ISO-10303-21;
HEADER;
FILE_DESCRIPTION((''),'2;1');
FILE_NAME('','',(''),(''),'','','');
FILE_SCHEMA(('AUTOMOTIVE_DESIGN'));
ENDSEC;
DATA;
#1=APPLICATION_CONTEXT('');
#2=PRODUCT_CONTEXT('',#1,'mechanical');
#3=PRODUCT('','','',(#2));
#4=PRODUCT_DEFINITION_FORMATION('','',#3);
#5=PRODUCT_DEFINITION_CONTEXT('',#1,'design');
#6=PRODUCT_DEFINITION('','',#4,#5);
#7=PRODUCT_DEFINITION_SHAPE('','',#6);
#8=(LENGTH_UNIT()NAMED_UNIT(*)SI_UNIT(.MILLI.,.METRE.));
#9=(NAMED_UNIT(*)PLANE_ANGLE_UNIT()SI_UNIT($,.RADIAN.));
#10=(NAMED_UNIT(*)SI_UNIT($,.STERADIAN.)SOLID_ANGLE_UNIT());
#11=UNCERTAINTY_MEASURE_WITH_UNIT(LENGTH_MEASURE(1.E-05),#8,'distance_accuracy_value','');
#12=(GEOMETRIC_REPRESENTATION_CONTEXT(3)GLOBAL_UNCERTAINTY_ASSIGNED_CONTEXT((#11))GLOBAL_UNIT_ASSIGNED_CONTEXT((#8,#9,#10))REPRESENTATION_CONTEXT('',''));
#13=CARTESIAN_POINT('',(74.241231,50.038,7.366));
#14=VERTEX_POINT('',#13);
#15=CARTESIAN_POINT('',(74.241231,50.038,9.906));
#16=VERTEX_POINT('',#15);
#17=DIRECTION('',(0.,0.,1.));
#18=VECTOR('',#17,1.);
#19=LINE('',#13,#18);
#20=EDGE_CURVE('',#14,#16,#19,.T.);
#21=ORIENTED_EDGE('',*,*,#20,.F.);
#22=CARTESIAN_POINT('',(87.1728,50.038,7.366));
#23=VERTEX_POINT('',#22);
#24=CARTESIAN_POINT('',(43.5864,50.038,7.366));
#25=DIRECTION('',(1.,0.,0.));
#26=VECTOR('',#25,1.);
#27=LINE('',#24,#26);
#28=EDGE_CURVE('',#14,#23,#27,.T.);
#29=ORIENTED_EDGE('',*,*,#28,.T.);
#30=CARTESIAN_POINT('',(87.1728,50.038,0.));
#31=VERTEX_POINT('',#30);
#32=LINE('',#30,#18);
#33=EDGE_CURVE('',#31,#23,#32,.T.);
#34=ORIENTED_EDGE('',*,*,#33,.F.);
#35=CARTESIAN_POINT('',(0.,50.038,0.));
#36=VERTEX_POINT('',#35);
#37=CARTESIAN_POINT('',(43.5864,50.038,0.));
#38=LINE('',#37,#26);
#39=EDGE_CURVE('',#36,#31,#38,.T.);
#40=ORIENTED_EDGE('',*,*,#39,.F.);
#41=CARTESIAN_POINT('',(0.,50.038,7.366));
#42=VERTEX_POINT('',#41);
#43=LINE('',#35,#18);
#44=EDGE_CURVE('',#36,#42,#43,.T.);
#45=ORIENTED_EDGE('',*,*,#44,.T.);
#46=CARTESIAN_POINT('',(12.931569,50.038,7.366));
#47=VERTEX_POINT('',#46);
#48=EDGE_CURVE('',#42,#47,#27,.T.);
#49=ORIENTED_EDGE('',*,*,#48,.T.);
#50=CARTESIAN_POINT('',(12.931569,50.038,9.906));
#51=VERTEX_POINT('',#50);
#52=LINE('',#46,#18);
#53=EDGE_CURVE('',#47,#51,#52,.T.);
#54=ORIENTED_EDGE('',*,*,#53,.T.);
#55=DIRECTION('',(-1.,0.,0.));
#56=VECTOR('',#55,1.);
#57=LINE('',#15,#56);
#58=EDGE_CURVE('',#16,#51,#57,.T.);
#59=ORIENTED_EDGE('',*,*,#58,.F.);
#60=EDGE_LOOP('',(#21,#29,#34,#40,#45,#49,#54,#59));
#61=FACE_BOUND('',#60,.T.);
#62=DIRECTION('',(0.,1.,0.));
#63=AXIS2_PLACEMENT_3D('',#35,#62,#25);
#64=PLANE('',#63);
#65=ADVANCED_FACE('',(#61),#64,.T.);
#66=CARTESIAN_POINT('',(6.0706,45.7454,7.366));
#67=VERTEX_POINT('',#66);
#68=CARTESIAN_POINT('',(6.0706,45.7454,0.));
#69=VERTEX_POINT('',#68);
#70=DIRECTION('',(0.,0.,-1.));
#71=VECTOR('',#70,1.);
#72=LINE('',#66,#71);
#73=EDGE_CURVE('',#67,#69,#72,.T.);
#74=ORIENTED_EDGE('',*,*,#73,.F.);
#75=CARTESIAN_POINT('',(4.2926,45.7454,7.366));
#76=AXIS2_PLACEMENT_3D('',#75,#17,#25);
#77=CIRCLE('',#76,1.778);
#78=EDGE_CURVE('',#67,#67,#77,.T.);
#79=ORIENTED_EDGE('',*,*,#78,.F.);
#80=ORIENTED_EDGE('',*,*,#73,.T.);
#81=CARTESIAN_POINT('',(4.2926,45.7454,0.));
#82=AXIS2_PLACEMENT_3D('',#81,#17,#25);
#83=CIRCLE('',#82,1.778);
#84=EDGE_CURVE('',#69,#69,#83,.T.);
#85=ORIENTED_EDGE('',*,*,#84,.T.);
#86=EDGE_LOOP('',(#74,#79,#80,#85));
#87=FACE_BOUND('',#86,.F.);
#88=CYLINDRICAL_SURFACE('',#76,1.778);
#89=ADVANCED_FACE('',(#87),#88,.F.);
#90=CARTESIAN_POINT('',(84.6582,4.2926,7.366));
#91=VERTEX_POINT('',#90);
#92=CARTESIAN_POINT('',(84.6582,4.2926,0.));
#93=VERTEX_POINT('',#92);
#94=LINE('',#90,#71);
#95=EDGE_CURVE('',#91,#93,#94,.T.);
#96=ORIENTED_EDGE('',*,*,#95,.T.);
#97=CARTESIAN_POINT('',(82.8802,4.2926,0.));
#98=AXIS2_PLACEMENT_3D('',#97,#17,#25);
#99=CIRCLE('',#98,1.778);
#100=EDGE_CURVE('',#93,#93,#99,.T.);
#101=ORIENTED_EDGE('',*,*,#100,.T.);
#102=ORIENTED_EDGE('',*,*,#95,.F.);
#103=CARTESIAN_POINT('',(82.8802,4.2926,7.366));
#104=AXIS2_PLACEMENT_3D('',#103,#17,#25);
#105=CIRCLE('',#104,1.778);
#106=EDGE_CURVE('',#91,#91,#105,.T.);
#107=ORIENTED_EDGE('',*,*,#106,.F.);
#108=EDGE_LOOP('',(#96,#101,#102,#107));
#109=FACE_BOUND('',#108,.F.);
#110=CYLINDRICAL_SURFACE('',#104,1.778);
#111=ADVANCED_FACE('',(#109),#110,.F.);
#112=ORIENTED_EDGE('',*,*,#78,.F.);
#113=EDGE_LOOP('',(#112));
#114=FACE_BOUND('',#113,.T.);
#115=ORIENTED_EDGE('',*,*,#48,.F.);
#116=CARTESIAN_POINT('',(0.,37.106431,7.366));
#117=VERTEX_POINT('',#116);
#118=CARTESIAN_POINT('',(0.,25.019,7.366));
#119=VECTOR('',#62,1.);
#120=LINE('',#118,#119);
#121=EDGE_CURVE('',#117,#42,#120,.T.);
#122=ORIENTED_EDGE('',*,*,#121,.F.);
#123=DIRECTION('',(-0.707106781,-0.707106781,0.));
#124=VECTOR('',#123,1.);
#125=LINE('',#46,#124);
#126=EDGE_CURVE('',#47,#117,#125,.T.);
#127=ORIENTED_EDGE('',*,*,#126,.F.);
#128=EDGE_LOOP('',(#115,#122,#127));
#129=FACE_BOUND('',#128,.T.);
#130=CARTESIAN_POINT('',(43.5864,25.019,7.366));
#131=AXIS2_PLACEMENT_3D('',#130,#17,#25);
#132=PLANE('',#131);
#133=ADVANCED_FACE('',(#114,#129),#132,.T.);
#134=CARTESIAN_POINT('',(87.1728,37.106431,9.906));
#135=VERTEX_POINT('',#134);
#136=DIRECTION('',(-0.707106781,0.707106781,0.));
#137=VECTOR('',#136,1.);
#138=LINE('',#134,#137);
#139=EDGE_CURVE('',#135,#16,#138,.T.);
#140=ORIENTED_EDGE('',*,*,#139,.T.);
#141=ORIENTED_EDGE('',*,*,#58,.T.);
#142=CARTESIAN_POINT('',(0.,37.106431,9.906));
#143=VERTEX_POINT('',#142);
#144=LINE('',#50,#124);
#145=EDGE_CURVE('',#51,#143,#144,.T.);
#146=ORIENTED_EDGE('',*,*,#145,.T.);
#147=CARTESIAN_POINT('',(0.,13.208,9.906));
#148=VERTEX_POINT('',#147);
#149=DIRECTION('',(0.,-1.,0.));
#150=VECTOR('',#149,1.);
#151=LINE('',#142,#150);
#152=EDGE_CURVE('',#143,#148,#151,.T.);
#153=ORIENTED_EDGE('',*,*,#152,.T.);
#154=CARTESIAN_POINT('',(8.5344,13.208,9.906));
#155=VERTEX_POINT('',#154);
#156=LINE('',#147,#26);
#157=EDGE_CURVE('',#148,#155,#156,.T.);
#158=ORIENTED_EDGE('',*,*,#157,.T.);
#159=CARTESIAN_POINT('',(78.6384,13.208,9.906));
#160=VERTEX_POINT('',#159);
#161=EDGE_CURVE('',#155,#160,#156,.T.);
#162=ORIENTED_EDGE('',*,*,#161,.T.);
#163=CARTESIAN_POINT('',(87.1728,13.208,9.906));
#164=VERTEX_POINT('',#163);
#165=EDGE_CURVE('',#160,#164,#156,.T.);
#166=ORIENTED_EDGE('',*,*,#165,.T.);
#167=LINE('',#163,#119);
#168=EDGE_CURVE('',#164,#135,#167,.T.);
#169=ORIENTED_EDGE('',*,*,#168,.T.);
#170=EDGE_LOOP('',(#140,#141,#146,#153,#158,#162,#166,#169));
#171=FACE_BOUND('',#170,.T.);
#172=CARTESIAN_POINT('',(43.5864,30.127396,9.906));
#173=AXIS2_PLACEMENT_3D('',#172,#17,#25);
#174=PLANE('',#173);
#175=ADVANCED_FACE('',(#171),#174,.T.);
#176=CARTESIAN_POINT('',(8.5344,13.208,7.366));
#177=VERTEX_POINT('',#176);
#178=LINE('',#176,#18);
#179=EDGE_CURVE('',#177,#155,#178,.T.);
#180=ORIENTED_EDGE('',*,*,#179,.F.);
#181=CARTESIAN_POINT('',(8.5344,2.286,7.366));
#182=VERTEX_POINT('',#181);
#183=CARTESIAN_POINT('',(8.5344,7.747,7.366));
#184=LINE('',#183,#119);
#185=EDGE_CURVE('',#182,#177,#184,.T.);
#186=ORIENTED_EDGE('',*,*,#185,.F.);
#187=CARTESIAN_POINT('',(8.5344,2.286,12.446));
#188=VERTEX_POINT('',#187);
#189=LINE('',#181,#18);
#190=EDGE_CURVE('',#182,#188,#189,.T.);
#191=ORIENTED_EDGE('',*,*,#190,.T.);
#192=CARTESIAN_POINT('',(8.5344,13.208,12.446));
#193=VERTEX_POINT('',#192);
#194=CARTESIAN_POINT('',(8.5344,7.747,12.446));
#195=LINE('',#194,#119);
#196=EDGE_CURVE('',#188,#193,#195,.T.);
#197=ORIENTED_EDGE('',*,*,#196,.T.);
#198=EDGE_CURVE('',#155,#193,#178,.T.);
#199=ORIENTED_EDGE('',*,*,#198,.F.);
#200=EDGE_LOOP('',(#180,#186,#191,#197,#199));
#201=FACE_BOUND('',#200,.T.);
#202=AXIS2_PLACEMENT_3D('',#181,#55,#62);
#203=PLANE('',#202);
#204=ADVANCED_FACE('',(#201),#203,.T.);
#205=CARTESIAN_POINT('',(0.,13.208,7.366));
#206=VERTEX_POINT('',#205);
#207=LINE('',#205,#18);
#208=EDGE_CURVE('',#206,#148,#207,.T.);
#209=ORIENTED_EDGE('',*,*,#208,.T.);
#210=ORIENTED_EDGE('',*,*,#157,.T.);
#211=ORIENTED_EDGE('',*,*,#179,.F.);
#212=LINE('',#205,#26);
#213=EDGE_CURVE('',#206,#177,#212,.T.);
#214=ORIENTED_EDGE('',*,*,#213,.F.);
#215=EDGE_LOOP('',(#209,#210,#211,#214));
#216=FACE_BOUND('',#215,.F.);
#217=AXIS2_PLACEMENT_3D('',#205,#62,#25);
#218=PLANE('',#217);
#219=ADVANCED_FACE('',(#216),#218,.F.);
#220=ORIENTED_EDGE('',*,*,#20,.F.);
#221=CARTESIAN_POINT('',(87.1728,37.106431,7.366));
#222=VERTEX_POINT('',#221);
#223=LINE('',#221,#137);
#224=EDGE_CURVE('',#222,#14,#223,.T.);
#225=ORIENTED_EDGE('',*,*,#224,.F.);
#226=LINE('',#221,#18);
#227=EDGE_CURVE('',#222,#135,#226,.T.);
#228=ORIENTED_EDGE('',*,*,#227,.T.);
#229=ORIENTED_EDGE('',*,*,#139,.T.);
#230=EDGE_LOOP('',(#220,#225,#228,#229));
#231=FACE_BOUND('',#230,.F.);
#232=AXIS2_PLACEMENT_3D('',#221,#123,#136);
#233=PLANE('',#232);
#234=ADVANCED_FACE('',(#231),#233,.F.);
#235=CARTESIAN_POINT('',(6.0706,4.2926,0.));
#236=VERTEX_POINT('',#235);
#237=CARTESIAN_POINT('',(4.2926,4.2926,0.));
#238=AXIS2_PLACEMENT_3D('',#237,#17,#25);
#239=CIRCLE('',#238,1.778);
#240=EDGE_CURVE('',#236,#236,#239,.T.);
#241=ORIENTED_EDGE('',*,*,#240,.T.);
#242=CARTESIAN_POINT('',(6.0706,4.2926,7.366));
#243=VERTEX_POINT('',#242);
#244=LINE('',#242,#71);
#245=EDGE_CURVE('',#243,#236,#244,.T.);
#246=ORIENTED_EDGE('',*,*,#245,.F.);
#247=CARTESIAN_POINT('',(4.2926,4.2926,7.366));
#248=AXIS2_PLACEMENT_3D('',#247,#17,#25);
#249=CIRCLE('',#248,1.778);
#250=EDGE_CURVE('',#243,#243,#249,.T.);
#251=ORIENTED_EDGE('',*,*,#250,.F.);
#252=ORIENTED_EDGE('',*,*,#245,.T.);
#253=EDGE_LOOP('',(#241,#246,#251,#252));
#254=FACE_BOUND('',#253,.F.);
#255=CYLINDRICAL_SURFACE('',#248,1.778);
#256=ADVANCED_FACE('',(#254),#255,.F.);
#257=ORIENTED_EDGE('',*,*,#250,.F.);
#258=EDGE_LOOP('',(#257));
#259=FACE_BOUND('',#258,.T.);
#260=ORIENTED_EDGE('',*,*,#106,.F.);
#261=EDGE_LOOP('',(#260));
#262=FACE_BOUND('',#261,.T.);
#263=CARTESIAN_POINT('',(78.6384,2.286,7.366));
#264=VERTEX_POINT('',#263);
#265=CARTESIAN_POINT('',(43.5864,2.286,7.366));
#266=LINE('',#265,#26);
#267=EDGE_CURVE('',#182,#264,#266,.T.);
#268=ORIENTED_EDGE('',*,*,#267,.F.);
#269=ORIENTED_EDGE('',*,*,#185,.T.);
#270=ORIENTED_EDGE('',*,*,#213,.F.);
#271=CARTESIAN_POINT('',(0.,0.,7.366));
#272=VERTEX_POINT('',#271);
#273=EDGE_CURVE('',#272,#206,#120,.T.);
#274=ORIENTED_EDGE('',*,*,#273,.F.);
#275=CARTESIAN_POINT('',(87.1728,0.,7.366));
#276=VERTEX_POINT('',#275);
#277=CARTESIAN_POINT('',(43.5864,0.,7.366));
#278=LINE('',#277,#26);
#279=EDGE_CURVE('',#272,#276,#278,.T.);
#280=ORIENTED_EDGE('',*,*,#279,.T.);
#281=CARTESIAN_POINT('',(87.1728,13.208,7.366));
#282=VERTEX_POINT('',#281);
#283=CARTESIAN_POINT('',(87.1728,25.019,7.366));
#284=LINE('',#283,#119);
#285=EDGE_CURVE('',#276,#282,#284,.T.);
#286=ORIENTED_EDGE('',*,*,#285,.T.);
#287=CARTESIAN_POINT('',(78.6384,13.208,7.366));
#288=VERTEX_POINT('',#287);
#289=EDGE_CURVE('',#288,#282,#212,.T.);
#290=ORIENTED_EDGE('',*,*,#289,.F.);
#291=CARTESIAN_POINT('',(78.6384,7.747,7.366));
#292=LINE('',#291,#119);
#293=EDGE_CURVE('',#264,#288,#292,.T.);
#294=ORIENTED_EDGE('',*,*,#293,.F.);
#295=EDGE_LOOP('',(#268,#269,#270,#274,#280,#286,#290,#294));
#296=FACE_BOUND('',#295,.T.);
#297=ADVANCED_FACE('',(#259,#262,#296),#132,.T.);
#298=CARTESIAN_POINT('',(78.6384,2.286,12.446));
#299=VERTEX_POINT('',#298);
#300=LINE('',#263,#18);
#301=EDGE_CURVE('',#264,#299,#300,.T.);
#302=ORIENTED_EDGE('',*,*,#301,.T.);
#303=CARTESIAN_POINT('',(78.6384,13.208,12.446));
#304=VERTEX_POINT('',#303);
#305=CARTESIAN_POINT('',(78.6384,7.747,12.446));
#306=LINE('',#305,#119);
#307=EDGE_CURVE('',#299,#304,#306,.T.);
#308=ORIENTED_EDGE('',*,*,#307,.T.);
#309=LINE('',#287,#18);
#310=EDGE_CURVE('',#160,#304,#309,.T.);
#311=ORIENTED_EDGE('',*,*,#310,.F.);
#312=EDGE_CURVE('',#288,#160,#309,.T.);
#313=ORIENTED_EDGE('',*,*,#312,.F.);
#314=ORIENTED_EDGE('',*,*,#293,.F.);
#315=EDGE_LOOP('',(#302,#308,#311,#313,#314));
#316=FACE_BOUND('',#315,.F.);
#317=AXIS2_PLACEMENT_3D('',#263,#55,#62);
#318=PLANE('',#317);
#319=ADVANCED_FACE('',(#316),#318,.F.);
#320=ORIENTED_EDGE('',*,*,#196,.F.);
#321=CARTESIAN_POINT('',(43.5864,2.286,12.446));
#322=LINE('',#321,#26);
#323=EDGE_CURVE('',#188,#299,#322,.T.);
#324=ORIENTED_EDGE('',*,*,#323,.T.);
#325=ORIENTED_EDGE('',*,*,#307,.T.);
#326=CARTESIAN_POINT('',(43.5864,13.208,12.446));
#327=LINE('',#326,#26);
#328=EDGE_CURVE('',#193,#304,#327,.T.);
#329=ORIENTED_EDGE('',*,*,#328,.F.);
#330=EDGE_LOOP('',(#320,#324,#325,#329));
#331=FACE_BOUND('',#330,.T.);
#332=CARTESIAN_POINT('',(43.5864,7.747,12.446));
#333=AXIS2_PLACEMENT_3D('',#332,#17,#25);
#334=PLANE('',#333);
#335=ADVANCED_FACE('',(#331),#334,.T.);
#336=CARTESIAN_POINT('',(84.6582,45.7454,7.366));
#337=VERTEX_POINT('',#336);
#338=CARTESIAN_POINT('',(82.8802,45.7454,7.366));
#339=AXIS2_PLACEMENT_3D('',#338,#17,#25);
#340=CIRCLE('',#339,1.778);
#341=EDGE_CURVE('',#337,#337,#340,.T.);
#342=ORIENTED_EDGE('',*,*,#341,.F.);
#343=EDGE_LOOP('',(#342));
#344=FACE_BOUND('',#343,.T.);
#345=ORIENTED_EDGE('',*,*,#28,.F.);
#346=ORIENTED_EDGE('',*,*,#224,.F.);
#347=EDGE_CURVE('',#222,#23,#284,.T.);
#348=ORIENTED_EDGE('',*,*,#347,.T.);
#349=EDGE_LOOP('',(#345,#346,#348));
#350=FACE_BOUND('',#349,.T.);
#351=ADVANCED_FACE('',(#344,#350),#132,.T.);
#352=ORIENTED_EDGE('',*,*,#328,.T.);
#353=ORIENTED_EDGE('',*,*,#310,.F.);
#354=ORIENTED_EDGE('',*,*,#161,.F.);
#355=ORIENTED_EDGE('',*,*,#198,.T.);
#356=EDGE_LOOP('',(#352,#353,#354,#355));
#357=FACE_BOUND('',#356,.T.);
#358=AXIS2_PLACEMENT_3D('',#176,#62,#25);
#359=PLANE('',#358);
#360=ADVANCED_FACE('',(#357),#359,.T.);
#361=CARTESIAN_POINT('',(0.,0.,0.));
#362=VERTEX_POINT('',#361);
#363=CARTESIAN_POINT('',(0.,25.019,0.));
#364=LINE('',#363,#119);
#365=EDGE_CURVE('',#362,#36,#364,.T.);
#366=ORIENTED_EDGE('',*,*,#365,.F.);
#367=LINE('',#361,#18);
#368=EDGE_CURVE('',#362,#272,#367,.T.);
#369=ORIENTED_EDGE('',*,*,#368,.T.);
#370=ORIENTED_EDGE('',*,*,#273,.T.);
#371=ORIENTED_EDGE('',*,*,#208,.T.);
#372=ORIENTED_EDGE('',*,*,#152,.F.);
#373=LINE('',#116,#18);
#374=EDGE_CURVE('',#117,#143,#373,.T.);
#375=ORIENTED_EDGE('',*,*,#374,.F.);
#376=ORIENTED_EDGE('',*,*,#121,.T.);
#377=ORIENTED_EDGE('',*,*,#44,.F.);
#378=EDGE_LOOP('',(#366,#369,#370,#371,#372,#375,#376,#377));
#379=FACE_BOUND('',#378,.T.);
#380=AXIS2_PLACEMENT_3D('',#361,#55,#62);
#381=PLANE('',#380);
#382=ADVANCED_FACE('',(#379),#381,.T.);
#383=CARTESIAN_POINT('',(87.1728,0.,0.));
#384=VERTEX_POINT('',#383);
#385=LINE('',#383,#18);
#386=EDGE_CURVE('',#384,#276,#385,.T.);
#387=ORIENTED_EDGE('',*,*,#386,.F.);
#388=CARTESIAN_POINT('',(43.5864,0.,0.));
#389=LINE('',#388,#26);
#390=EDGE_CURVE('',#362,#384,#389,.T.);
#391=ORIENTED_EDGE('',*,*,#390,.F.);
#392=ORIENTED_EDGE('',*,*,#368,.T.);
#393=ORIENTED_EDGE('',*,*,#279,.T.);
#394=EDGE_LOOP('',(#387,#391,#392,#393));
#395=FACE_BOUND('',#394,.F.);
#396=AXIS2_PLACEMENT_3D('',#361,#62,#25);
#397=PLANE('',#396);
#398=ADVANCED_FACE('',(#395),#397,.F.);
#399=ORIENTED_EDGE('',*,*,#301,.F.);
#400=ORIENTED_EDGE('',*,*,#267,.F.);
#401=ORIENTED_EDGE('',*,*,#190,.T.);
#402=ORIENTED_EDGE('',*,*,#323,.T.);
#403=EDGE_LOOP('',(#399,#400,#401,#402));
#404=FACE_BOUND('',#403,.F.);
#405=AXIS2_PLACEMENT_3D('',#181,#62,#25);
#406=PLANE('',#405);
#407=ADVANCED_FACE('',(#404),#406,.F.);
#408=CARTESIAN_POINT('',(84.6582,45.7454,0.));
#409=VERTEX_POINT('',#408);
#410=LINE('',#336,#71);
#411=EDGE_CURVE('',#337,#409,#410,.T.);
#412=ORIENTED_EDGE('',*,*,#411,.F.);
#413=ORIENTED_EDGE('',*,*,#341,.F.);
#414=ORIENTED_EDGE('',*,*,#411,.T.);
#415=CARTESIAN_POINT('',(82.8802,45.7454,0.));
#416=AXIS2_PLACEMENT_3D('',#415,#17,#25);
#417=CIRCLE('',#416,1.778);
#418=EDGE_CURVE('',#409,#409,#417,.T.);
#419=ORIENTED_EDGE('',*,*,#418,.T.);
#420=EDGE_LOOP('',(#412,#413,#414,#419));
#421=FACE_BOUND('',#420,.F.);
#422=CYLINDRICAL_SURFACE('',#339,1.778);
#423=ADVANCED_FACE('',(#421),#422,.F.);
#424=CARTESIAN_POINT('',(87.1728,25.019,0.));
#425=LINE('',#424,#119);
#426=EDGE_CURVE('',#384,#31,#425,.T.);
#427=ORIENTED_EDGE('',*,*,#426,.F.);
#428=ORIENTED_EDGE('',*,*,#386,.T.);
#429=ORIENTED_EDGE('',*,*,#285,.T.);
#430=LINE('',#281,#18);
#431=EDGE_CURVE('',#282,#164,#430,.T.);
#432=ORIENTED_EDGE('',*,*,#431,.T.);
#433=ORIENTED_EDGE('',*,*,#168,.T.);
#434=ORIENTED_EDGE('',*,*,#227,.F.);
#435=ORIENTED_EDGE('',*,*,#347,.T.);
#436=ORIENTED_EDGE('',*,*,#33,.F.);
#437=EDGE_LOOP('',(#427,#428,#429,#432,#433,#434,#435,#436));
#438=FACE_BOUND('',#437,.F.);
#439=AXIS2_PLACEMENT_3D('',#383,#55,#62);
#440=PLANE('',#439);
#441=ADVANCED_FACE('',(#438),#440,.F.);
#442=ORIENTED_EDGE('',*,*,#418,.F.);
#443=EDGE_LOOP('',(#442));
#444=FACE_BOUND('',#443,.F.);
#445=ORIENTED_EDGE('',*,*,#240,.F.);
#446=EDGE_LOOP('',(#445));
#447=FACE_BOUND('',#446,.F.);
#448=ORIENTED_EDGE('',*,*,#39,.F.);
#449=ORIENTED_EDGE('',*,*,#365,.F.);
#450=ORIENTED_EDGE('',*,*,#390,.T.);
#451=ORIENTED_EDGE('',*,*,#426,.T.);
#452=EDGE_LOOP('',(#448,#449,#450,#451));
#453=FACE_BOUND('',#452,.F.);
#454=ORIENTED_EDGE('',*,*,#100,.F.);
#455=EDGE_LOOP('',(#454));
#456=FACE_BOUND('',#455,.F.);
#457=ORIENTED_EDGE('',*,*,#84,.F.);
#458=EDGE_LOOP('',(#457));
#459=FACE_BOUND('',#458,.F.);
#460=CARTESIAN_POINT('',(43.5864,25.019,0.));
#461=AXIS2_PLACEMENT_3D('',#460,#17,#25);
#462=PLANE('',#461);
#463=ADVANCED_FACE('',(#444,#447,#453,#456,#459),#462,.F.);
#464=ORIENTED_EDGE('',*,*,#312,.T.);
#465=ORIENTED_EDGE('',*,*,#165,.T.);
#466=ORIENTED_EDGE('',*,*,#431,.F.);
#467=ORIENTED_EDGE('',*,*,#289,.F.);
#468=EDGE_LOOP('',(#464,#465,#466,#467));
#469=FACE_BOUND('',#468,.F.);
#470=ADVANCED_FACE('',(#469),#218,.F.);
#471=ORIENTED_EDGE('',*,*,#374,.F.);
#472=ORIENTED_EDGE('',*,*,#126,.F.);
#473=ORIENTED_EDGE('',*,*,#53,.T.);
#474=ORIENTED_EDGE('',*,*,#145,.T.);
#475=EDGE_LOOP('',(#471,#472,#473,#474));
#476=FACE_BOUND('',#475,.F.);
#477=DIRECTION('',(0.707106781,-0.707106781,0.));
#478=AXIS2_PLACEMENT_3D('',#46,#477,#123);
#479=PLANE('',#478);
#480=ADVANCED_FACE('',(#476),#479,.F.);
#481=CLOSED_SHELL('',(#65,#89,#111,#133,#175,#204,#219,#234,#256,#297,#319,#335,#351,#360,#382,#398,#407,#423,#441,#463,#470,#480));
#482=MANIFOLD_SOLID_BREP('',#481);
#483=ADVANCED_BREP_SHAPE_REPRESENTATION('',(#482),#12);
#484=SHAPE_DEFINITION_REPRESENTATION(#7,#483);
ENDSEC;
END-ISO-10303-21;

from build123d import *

# Parameters (mm, degrees)
F0_W     = 87.1728
F0_H     = 50.038
F1_DEPTH = 7.366
F3_DEPTH = 2.54
F4_W     = 70.104
F4_H     = 10.922
F5_DEPTH = 5.08
F6_R     = 1.778
F7_DEPTH = 7.367


with BuildPart() as f1:
    # F0 (on Top) → F1 (new body)
    with BuildSketch(Plane.XY):
        with Locations((43.5864, 25.019)):
            Rectangle(F0_W, F0_H)
    extrude(amount=F1_DEPTH)

    # F2 (on face) → F3 (join)
    with BuildSketch(Plane.XY.offset(7.366)):
        Polygon((0, 37.106431), (0, 13.208), (87.1728, 13.208), (87.1728, 37.106431), (74.241231, 50.038), (12.931569, 50.038), align=None)
    extrude(amount=F3_DEPTH)

    # F4 (on face) → F5 (join)
    with BuildSketch(Plane.XY.offset(7.366)):
        with Locations((43.5864, 7.747)):
            Rectangle(F4_W, F4_H)
    extrude(amount=F5_DEPTH)

    # F6 (on face) → F7 (cut, through all)
    with BuildSketch(Plane.XY.offset(7.366)):
        with Locations((4.2926, 45.7454)):
            Circle(F6_R)
        with Locations((4.2926, 4.2926)):
            Circle(F6_R)
        with Locations((82.8802, 4.2926)):
            Circle(F6_R)
        with Locations((82.8802, 45.7454)):
            Circle(F6_R)
    extrude(amount=-F7_DEPTH, mode=Mode.SUBTRACT)


solid = f1.part
